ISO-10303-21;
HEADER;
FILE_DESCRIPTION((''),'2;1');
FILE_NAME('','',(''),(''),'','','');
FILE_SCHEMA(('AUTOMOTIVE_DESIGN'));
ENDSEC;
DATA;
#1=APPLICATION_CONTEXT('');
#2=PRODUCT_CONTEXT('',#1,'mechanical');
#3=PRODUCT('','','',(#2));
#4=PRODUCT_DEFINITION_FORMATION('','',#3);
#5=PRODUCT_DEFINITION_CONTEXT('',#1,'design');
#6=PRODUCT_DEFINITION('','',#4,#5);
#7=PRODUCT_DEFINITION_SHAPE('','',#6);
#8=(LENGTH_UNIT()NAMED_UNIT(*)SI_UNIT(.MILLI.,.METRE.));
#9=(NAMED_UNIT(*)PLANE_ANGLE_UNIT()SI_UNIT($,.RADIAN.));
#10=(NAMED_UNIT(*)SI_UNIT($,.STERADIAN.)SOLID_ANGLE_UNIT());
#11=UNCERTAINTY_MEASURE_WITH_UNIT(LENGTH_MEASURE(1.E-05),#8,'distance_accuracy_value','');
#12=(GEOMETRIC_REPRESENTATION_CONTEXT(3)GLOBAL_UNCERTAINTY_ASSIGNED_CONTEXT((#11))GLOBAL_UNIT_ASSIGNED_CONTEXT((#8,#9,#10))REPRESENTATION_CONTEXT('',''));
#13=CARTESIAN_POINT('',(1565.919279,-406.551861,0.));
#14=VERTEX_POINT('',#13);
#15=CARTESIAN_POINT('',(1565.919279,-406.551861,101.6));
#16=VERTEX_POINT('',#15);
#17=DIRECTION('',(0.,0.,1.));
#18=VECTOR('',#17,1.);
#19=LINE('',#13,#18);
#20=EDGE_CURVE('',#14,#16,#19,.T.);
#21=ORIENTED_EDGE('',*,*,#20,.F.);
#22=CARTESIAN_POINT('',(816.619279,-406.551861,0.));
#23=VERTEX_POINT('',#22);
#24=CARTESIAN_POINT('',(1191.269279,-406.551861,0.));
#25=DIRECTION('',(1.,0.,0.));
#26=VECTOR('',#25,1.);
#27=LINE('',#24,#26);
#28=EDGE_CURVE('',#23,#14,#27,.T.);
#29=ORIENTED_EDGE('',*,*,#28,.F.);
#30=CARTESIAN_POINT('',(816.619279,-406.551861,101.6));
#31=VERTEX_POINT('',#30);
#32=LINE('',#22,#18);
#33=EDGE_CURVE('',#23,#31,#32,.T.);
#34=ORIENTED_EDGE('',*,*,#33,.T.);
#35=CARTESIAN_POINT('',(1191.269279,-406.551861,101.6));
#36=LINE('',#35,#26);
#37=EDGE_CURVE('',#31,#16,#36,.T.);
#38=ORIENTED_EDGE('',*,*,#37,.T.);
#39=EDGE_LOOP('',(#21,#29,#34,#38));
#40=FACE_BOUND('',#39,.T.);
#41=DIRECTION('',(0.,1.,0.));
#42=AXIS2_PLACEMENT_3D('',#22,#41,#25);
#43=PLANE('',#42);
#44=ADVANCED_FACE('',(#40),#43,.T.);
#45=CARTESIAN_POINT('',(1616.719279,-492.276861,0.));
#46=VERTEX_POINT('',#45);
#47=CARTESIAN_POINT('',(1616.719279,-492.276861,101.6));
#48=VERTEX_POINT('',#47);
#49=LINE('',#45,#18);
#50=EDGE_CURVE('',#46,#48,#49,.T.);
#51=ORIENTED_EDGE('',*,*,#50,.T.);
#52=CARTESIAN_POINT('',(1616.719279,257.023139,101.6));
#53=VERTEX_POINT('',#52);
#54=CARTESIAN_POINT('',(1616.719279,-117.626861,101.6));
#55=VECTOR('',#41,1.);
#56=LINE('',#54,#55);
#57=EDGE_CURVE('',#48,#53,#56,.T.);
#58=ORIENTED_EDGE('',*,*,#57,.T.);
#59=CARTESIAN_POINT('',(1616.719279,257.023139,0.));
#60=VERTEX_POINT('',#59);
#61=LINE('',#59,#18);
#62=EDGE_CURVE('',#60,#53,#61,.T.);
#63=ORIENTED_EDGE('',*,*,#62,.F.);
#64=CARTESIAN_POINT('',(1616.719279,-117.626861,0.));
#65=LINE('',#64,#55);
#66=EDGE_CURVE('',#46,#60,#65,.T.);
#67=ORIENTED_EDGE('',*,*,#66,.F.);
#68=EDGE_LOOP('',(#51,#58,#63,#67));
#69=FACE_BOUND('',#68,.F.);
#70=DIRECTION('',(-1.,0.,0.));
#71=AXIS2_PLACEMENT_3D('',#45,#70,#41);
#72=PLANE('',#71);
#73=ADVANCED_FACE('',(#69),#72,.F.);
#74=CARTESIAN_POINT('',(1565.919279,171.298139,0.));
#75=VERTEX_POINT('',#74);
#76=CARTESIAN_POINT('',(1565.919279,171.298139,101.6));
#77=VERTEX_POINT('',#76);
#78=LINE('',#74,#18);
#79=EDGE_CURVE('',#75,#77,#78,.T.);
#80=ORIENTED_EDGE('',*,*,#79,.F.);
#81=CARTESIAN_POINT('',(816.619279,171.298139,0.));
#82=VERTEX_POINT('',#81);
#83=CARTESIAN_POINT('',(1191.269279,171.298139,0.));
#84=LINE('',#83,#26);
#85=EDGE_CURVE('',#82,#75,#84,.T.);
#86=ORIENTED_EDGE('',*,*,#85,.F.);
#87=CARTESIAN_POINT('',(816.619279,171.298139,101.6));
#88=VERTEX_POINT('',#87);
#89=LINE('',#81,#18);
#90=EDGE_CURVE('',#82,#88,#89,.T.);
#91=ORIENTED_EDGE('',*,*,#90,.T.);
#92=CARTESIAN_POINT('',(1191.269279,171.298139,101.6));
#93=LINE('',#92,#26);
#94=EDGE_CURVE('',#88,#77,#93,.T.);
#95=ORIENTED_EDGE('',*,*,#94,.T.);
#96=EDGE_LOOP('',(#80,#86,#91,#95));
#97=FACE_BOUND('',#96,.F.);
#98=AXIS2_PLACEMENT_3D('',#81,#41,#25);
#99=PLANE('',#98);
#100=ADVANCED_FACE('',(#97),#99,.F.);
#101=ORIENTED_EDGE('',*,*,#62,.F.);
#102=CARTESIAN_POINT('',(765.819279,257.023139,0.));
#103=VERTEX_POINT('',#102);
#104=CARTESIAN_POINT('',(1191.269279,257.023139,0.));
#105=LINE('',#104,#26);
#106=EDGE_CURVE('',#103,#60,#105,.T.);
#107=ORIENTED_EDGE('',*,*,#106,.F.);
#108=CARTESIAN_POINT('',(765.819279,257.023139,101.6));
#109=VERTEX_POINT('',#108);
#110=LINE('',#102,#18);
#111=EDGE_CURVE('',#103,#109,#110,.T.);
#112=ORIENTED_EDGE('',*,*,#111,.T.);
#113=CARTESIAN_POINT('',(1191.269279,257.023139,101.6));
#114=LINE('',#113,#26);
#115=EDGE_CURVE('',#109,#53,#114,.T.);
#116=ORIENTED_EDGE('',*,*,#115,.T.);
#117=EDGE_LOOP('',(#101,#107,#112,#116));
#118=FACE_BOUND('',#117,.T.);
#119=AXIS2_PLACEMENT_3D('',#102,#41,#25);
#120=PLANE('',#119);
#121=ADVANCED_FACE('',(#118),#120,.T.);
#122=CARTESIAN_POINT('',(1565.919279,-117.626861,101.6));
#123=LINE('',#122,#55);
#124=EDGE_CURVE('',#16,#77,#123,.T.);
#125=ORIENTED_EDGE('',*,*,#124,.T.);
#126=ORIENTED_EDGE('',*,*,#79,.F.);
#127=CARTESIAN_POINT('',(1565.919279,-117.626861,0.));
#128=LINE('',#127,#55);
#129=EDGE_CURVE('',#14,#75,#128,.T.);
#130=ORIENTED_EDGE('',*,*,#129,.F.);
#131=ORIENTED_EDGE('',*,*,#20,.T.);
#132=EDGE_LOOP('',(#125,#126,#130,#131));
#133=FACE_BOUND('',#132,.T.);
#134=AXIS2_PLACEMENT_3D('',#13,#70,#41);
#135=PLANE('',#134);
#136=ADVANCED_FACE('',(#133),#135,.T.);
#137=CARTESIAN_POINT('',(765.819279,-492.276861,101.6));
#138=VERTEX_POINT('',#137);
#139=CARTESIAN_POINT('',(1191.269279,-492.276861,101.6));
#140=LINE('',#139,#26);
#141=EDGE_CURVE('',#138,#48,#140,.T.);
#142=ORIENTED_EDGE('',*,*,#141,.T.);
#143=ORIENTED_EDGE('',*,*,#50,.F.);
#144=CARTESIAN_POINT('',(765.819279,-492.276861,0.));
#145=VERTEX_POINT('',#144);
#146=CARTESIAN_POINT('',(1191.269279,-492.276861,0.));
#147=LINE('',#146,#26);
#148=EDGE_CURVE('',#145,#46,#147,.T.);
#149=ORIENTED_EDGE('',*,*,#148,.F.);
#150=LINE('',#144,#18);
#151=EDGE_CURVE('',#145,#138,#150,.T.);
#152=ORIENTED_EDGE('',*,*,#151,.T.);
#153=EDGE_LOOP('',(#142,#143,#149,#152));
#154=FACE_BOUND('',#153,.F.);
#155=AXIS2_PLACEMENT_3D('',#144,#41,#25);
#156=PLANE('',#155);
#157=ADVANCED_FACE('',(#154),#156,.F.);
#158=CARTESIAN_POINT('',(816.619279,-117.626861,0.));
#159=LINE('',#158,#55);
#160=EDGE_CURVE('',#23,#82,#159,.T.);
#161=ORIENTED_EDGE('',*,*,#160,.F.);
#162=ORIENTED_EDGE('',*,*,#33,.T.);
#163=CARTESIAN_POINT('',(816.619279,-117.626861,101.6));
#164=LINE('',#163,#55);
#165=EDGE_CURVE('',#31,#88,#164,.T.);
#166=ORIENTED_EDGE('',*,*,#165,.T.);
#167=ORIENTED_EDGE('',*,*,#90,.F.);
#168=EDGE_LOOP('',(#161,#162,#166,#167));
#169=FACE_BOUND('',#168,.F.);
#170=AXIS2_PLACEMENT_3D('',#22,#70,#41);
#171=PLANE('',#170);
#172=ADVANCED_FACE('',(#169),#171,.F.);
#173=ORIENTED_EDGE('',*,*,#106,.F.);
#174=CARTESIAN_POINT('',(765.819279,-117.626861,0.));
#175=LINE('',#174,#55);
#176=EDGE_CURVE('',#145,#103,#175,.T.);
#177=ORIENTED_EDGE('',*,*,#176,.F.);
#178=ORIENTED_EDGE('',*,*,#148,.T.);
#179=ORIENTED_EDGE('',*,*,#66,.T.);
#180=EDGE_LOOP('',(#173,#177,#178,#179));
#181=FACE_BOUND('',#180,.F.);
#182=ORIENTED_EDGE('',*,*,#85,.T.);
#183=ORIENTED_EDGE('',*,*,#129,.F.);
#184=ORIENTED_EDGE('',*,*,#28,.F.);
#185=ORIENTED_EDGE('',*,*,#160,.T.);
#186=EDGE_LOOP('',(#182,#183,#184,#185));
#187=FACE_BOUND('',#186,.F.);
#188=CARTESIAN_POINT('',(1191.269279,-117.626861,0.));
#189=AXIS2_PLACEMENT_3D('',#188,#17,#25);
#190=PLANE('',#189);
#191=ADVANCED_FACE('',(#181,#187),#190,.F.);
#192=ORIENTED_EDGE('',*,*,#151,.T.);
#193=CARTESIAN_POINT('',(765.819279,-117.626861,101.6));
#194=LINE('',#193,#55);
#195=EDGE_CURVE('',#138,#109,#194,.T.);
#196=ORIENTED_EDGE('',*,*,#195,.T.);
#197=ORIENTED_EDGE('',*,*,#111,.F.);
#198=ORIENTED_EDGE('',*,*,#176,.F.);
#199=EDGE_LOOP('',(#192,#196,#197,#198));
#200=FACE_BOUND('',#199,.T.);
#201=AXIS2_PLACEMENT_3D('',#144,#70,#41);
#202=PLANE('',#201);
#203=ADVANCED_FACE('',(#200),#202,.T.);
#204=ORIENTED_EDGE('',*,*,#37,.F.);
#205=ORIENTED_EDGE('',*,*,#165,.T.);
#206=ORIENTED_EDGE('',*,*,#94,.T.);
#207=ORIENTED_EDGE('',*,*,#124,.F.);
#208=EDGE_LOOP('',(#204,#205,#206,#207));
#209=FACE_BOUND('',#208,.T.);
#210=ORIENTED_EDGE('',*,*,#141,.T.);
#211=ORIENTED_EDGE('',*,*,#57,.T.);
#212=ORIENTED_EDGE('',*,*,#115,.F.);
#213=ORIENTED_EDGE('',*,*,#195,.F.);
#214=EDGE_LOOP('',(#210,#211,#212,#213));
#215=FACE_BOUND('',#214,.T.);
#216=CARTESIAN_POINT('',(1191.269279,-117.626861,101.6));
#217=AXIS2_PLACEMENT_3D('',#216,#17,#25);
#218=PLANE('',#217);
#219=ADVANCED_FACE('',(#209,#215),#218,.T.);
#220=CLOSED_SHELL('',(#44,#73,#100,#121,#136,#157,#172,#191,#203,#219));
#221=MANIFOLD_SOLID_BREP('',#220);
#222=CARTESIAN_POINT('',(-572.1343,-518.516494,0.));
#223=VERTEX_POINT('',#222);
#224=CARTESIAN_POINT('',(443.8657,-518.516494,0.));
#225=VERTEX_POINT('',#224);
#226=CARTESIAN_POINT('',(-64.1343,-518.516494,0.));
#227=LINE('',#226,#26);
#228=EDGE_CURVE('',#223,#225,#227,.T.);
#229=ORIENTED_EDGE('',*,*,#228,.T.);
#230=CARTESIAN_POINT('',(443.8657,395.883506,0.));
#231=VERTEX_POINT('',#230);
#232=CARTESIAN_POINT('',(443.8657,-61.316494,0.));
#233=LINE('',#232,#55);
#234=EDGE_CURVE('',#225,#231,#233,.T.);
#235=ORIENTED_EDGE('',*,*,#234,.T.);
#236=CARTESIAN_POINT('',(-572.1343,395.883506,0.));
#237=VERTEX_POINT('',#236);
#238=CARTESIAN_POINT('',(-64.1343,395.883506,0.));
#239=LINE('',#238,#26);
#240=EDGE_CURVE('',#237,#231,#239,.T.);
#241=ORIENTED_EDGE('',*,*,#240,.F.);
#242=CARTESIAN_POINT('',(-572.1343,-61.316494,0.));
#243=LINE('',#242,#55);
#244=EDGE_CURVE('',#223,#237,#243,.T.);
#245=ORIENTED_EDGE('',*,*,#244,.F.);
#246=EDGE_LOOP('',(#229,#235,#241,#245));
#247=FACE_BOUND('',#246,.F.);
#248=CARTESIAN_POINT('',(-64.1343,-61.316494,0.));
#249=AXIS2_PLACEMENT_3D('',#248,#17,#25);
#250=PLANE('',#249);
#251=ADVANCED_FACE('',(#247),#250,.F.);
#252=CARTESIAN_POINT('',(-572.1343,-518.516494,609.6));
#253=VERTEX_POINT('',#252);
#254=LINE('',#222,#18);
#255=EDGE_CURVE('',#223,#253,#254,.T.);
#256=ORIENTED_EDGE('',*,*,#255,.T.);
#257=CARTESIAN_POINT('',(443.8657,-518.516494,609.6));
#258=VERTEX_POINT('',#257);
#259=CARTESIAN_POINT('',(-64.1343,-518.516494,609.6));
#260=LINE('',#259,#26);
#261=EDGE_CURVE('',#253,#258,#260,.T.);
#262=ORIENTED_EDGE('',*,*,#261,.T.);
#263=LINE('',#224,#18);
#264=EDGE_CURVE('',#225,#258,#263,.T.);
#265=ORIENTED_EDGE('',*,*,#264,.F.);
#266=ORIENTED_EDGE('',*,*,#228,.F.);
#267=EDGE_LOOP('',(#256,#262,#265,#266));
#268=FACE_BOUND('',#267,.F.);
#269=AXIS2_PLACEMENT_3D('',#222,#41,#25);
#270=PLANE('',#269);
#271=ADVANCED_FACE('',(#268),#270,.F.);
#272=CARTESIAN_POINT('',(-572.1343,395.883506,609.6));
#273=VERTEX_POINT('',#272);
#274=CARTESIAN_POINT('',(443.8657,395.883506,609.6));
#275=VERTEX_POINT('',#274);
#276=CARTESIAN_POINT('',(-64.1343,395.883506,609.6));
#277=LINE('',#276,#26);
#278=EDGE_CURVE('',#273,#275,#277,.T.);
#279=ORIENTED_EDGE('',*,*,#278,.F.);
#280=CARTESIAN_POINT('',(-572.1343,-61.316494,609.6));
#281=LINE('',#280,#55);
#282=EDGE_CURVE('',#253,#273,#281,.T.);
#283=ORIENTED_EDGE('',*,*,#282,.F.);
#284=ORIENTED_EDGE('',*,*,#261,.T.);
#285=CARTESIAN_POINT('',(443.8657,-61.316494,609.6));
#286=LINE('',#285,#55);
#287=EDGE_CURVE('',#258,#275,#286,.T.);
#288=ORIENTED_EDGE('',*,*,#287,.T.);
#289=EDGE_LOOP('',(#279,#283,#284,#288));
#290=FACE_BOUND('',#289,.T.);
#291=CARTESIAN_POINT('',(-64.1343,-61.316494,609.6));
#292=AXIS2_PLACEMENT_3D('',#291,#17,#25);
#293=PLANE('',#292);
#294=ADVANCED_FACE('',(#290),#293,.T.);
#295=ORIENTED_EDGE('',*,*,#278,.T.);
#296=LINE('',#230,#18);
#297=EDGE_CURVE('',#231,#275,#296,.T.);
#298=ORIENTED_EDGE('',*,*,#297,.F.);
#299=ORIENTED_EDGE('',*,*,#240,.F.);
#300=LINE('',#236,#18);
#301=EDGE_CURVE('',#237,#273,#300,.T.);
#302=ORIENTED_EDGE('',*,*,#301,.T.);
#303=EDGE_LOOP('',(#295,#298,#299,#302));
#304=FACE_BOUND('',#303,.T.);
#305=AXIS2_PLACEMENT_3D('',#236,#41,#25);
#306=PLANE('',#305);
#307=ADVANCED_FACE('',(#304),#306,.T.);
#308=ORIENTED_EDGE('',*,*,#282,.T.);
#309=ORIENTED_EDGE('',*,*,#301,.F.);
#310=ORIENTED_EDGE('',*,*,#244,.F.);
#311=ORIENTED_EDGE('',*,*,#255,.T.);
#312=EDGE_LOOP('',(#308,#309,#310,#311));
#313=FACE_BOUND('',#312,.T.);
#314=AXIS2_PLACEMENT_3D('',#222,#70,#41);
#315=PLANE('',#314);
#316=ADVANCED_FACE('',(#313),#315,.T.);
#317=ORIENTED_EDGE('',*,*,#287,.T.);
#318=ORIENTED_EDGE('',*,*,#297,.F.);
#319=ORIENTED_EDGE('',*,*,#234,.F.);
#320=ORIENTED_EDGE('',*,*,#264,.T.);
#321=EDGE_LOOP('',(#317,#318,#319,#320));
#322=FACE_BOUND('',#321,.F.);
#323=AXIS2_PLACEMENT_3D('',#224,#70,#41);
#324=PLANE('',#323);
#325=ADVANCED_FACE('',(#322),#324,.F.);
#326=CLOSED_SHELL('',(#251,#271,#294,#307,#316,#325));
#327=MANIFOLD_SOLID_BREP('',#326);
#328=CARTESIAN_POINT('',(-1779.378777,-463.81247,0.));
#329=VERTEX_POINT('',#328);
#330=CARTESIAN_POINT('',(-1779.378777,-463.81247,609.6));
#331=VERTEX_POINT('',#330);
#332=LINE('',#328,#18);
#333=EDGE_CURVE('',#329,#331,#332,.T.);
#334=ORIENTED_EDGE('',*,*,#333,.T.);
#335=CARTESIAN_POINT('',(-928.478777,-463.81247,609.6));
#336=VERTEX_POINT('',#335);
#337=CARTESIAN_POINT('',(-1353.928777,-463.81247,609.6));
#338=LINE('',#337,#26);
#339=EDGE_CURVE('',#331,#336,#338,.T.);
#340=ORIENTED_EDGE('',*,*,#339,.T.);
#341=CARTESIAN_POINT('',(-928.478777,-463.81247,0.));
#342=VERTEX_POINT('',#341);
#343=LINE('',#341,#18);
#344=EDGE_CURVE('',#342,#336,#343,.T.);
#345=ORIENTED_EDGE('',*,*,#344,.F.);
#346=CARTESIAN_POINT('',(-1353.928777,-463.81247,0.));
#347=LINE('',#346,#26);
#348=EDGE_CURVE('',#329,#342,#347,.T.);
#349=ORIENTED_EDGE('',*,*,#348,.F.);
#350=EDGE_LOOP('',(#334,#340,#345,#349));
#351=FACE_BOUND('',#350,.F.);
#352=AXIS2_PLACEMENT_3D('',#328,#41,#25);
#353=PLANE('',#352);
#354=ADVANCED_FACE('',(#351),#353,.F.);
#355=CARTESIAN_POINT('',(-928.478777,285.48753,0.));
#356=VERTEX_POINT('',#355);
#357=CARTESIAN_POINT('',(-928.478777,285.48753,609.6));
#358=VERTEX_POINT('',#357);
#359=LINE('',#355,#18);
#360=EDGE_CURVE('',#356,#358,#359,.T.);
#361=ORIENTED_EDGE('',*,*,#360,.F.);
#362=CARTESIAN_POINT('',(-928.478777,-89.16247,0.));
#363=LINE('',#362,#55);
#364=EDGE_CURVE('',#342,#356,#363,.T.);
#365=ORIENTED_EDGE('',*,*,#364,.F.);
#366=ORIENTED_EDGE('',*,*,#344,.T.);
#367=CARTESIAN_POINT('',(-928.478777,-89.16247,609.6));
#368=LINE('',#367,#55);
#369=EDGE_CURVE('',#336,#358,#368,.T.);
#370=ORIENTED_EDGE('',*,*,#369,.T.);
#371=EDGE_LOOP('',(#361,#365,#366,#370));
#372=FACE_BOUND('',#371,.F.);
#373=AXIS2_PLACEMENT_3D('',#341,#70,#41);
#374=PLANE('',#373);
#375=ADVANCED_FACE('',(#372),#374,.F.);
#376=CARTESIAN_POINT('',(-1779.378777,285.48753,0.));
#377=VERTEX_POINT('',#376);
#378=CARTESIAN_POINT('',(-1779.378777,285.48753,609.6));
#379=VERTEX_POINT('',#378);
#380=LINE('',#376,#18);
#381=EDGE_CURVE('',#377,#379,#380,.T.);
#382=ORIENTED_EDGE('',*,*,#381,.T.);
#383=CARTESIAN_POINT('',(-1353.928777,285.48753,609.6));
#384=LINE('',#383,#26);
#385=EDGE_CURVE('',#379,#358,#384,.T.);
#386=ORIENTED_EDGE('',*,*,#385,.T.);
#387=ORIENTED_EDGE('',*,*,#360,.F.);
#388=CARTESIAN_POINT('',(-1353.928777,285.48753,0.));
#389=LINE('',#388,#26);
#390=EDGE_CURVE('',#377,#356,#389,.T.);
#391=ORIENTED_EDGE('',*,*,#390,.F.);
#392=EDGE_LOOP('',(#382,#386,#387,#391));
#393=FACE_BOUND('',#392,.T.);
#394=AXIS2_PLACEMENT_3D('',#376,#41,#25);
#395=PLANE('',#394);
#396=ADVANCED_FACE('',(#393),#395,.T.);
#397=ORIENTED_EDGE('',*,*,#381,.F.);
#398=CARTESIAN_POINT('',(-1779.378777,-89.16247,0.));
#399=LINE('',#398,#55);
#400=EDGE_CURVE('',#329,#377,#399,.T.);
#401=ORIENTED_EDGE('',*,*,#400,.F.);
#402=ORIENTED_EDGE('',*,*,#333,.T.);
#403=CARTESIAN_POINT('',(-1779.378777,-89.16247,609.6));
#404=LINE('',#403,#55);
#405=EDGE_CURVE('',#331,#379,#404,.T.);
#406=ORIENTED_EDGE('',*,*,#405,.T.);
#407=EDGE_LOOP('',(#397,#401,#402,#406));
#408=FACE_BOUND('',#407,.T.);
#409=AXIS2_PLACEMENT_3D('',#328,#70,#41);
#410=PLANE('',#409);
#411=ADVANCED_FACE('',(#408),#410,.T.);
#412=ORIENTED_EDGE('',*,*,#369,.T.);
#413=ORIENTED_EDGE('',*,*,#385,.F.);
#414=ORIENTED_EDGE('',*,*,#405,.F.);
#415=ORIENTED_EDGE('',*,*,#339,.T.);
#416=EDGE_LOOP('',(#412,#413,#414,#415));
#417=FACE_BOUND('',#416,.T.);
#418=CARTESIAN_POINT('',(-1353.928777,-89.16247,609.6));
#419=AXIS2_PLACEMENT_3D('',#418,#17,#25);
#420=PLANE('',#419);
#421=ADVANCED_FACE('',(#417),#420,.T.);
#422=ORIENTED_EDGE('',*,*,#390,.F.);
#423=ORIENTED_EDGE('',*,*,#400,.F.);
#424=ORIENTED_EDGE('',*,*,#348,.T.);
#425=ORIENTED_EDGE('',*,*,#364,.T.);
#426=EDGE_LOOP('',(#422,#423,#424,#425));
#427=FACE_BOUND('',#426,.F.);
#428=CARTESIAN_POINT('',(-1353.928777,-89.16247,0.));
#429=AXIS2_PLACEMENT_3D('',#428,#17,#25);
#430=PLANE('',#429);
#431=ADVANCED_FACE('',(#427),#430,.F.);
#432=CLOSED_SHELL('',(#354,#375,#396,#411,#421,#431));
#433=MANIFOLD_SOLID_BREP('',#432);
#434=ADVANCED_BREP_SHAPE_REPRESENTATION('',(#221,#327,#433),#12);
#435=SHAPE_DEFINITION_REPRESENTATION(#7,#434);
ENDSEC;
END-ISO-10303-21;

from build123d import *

# Parameters (mm, degrees)
F0_W     = 1016
F0_H     = 914.4
F1_DEPTH = 609.6
F2_W     = 850.9
F2_H     = 749.3
F3_DEPTH = 609.6
F4_W     = 850.9
F4_H     = 749.3
F4_W_2   = 749.3
F4_H_2   = 577.85
F5_DEPTH = 101.6


with BuildPart() as f1:
    # F0 (on Top) → F1 (new body)
    with BuildSketch(Plane.XY):
        with Locations((-64.1343, -61.316494)):
            Rectangle(F0_W, F0_H)
    extrude(amount=F1_DEPTH)


with BuildPart() as f3:
    # F2 (on Top) → F3 (new body)
    with BuildSketch(Plane.XY):
        with Locations((-1353.928777, -89.16247)):
            Rectangle(F2_W, F2_H)
    extrude(amount=F3_DEPTH)


with BuildPart() as f5:
    # F4 (on Top) → F5 (new body)
    with BuildSketch(Plane.XY):
        with Locations((1191.269279, -117.626861)):
            Rectangle(F4_W, F4_H)
        with Locations((1191.269279, -117.626861)):
            Rectangle(F4_W_2, F4_H_2, mode=Mode.SUBTRACT)
    extrude(amount=F5_DEPTH)


solid = Compound([f1.part, f3.part, f5.part])
